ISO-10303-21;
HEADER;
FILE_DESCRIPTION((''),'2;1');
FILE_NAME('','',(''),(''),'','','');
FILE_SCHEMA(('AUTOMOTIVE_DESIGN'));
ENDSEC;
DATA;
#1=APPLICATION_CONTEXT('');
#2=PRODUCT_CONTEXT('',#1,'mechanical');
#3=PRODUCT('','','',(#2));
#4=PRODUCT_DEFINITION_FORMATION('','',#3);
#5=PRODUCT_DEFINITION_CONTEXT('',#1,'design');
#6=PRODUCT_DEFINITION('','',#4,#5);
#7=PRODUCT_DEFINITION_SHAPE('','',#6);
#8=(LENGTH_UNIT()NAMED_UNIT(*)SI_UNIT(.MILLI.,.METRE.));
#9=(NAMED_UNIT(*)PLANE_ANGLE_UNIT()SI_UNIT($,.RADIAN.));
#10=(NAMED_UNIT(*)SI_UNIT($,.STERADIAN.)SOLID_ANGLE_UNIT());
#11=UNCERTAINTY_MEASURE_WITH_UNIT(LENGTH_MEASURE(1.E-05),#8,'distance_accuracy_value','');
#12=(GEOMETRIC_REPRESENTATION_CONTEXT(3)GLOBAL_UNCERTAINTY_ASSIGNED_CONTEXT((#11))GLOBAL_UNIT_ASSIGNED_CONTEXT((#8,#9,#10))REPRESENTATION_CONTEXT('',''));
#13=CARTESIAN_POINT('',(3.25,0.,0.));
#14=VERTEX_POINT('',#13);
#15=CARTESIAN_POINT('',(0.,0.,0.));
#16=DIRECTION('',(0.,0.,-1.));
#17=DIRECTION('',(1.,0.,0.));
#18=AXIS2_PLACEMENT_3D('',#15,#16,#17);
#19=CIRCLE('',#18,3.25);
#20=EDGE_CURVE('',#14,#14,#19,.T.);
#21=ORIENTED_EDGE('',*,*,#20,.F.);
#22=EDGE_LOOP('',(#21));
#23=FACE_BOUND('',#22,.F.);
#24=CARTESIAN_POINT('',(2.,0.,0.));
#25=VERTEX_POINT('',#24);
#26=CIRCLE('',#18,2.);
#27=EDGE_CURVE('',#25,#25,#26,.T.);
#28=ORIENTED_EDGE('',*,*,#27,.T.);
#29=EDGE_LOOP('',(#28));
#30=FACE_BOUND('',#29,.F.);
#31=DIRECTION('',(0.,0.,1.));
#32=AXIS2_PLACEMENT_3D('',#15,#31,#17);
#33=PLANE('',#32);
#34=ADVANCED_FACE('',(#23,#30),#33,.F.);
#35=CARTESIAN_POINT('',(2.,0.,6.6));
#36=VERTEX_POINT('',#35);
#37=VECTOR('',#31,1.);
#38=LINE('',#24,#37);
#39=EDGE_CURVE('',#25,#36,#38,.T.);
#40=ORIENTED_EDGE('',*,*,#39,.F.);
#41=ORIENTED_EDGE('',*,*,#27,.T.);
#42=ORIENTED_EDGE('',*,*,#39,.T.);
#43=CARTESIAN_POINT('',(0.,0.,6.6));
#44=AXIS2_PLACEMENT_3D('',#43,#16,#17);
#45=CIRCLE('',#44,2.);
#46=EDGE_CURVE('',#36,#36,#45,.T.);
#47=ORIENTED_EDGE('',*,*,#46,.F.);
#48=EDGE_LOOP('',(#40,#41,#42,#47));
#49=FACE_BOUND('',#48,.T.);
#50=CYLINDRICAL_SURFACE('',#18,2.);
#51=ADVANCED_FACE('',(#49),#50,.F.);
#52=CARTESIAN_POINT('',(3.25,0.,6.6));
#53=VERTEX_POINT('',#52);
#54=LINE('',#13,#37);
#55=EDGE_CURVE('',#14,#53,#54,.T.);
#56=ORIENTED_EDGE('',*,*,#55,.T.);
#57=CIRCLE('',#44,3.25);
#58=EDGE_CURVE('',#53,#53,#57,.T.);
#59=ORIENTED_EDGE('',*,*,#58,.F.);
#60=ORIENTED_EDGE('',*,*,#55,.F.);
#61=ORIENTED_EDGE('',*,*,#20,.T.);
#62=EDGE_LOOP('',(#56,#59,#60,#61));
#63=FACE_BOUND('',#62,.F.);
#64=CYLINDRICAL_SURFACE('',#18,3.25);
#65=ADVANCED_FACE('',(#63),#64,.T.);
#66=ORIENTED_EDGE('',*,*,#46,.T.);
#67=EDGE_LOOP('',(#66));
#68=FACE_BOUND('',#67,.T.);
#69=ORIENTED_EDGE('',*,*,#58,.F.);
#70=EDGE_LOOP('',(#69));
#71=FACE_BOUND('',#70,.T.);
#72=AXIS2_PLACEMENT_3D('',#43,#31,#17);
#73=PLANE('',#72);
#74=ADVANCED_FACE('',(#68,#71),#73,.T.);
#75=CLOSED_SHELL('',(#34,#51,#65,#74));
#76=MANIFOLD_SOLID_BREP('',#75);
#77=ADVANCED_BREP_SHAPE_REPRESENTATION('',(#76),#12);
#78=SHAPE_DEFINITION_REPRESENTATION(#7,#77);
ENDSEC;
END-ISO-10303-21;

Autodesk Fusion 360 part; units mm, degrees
sketch "Sketch1" plane through (0, 0, 0) normal (0, 0, 1) x (1, 0, 0)
  circle A0 centre (0, 0) radius 2
  circle A1 centre (0, 0) radius 2.75
  dimension "d5" = 4
  dimension "d8" = 5.5
extrude "Extrude2" add sketch "Sketch1" along normal blind 6.6
move_face "OffsetFaces1" offset 0.5 1 faces at (2.7466, -0.1371, 4.4)
